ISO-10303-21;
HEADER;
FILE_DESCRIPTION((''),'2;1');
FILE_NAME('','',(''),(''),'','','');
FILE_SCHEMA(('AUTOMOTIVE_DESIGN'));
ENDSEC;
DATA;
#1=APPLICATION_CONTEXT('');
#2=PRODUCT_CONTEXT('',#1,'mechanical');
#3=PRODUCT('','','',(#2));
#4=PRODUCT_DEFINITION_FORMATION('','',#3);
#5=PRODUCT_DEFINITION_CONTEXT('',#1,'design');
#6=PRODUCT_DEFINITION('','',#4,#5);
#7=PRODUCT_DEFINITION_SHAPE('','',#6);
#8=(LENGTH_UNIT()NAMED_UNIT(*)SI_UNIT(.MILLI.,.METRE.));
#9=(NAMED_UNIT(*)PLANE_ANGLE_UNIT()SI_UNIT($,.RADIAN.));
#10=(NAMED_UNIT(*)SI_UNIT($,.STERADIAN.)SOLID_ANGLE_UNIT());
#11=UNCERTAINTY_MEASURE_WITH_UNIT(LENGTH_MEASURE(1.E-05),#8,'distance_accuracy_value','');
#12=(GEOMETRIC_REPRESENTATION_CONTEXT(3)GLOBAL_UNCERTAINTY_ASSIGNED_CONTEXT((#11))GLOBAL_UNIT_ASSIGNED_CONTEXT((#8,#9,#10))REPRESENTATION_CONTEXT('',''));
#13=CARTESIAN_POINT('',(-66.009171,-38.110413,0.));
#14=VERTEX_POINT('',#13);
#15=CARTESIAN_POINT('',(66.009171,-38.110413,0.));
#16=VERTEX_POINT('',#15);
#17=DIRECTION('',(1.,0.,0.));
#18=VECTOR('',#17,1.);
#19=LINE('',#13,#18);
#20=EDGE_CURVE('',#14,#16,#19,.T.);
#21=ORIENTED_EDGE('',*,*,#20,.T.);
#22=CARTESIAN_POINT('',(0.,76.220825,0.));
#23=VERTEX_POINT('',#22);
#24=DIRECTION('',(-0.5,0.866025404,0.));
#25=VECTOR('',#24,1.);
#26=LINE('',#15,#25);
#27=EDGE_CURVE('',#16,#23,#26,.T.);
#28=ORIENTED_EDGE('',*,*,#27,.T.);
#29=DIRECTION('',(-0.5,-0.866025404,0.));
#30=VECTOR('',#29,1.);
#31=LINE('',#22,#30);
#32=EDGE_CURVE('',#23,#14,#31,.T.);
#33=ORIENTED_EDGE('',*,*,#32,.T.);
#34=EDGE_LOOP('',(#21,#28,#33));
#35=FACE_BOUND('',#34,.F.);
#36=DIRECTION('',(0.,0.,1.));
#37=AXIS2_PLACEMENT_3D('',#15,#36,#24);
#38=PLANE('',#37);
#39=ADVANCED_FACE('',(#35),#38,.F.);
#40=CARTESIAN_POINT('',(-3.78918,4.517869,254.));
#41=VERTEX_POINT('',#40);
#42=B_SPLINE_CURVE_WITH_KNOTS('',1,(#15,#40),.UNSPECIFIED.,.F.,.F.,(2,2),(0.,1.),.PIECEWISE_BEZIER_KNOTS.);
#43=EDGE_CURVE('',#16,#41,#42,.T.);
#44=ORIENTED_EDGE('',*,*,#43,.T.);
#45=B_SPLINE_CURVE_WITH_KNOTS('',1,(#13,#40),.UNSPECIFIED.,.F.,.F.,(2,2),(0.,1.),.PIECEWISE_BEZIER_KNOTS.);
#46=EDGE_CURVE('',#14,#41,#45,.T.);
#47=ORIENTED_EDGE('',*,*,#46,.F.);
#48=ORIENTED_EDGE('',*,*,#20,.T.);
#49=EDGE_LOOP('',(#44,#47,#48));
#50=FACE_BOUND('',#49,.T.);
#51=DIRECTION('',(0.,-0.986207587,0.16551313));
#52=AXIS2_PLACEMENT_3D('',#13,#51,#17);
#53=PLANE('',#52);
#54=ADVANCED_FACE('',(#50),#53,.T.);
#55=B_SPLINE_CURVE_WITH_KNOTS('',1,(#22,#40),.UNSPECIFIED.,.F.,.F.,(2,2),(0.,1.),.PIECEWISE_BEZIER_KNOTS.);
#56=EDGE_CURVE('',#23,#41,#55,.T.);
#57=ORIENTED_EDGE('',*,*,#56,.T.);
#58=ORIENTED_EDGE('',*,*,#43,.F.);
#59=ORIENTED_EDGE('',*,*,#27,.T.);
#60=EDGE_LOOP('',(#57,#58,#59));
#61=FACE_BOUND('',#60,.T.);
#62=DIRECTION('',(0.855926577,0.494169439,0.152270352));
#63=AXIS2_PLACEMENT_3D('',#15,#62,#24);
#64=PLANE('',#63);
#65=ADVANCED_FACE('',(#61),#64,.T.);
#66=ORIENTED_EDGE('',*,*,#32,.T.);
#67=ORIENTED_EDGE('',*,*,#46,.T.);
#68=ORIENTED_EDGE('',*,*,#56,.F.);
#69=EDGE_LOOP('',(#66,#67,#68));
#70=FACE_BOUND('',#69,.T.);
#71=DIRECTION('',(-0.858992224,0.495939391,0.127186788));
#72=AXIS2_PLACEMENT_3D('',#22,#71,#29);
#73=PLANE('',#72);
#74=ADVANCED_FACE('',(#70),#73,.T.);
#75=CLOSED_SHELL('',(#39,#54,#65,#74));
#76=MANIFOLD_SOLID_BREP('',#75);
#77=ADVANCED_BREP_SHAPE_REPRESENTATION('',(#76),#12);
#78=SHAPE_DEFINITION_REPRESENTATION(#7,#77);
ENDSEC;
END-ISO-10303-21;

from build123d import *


with BuildPart() as f3:
    # F0 (on Top) → F3 section 0
    with BuildSketch(Plane.XY, mode=Mode.PRIVATE) as f3_s0:
        Polygon((66.009171, -38.110413), (0, 76.220825), (-66.009171, -38.110413), align=None)
    loft([f3_s0.sketch, Vertex(-3.78918, 4.517869, 254)])


solid = f3.part
